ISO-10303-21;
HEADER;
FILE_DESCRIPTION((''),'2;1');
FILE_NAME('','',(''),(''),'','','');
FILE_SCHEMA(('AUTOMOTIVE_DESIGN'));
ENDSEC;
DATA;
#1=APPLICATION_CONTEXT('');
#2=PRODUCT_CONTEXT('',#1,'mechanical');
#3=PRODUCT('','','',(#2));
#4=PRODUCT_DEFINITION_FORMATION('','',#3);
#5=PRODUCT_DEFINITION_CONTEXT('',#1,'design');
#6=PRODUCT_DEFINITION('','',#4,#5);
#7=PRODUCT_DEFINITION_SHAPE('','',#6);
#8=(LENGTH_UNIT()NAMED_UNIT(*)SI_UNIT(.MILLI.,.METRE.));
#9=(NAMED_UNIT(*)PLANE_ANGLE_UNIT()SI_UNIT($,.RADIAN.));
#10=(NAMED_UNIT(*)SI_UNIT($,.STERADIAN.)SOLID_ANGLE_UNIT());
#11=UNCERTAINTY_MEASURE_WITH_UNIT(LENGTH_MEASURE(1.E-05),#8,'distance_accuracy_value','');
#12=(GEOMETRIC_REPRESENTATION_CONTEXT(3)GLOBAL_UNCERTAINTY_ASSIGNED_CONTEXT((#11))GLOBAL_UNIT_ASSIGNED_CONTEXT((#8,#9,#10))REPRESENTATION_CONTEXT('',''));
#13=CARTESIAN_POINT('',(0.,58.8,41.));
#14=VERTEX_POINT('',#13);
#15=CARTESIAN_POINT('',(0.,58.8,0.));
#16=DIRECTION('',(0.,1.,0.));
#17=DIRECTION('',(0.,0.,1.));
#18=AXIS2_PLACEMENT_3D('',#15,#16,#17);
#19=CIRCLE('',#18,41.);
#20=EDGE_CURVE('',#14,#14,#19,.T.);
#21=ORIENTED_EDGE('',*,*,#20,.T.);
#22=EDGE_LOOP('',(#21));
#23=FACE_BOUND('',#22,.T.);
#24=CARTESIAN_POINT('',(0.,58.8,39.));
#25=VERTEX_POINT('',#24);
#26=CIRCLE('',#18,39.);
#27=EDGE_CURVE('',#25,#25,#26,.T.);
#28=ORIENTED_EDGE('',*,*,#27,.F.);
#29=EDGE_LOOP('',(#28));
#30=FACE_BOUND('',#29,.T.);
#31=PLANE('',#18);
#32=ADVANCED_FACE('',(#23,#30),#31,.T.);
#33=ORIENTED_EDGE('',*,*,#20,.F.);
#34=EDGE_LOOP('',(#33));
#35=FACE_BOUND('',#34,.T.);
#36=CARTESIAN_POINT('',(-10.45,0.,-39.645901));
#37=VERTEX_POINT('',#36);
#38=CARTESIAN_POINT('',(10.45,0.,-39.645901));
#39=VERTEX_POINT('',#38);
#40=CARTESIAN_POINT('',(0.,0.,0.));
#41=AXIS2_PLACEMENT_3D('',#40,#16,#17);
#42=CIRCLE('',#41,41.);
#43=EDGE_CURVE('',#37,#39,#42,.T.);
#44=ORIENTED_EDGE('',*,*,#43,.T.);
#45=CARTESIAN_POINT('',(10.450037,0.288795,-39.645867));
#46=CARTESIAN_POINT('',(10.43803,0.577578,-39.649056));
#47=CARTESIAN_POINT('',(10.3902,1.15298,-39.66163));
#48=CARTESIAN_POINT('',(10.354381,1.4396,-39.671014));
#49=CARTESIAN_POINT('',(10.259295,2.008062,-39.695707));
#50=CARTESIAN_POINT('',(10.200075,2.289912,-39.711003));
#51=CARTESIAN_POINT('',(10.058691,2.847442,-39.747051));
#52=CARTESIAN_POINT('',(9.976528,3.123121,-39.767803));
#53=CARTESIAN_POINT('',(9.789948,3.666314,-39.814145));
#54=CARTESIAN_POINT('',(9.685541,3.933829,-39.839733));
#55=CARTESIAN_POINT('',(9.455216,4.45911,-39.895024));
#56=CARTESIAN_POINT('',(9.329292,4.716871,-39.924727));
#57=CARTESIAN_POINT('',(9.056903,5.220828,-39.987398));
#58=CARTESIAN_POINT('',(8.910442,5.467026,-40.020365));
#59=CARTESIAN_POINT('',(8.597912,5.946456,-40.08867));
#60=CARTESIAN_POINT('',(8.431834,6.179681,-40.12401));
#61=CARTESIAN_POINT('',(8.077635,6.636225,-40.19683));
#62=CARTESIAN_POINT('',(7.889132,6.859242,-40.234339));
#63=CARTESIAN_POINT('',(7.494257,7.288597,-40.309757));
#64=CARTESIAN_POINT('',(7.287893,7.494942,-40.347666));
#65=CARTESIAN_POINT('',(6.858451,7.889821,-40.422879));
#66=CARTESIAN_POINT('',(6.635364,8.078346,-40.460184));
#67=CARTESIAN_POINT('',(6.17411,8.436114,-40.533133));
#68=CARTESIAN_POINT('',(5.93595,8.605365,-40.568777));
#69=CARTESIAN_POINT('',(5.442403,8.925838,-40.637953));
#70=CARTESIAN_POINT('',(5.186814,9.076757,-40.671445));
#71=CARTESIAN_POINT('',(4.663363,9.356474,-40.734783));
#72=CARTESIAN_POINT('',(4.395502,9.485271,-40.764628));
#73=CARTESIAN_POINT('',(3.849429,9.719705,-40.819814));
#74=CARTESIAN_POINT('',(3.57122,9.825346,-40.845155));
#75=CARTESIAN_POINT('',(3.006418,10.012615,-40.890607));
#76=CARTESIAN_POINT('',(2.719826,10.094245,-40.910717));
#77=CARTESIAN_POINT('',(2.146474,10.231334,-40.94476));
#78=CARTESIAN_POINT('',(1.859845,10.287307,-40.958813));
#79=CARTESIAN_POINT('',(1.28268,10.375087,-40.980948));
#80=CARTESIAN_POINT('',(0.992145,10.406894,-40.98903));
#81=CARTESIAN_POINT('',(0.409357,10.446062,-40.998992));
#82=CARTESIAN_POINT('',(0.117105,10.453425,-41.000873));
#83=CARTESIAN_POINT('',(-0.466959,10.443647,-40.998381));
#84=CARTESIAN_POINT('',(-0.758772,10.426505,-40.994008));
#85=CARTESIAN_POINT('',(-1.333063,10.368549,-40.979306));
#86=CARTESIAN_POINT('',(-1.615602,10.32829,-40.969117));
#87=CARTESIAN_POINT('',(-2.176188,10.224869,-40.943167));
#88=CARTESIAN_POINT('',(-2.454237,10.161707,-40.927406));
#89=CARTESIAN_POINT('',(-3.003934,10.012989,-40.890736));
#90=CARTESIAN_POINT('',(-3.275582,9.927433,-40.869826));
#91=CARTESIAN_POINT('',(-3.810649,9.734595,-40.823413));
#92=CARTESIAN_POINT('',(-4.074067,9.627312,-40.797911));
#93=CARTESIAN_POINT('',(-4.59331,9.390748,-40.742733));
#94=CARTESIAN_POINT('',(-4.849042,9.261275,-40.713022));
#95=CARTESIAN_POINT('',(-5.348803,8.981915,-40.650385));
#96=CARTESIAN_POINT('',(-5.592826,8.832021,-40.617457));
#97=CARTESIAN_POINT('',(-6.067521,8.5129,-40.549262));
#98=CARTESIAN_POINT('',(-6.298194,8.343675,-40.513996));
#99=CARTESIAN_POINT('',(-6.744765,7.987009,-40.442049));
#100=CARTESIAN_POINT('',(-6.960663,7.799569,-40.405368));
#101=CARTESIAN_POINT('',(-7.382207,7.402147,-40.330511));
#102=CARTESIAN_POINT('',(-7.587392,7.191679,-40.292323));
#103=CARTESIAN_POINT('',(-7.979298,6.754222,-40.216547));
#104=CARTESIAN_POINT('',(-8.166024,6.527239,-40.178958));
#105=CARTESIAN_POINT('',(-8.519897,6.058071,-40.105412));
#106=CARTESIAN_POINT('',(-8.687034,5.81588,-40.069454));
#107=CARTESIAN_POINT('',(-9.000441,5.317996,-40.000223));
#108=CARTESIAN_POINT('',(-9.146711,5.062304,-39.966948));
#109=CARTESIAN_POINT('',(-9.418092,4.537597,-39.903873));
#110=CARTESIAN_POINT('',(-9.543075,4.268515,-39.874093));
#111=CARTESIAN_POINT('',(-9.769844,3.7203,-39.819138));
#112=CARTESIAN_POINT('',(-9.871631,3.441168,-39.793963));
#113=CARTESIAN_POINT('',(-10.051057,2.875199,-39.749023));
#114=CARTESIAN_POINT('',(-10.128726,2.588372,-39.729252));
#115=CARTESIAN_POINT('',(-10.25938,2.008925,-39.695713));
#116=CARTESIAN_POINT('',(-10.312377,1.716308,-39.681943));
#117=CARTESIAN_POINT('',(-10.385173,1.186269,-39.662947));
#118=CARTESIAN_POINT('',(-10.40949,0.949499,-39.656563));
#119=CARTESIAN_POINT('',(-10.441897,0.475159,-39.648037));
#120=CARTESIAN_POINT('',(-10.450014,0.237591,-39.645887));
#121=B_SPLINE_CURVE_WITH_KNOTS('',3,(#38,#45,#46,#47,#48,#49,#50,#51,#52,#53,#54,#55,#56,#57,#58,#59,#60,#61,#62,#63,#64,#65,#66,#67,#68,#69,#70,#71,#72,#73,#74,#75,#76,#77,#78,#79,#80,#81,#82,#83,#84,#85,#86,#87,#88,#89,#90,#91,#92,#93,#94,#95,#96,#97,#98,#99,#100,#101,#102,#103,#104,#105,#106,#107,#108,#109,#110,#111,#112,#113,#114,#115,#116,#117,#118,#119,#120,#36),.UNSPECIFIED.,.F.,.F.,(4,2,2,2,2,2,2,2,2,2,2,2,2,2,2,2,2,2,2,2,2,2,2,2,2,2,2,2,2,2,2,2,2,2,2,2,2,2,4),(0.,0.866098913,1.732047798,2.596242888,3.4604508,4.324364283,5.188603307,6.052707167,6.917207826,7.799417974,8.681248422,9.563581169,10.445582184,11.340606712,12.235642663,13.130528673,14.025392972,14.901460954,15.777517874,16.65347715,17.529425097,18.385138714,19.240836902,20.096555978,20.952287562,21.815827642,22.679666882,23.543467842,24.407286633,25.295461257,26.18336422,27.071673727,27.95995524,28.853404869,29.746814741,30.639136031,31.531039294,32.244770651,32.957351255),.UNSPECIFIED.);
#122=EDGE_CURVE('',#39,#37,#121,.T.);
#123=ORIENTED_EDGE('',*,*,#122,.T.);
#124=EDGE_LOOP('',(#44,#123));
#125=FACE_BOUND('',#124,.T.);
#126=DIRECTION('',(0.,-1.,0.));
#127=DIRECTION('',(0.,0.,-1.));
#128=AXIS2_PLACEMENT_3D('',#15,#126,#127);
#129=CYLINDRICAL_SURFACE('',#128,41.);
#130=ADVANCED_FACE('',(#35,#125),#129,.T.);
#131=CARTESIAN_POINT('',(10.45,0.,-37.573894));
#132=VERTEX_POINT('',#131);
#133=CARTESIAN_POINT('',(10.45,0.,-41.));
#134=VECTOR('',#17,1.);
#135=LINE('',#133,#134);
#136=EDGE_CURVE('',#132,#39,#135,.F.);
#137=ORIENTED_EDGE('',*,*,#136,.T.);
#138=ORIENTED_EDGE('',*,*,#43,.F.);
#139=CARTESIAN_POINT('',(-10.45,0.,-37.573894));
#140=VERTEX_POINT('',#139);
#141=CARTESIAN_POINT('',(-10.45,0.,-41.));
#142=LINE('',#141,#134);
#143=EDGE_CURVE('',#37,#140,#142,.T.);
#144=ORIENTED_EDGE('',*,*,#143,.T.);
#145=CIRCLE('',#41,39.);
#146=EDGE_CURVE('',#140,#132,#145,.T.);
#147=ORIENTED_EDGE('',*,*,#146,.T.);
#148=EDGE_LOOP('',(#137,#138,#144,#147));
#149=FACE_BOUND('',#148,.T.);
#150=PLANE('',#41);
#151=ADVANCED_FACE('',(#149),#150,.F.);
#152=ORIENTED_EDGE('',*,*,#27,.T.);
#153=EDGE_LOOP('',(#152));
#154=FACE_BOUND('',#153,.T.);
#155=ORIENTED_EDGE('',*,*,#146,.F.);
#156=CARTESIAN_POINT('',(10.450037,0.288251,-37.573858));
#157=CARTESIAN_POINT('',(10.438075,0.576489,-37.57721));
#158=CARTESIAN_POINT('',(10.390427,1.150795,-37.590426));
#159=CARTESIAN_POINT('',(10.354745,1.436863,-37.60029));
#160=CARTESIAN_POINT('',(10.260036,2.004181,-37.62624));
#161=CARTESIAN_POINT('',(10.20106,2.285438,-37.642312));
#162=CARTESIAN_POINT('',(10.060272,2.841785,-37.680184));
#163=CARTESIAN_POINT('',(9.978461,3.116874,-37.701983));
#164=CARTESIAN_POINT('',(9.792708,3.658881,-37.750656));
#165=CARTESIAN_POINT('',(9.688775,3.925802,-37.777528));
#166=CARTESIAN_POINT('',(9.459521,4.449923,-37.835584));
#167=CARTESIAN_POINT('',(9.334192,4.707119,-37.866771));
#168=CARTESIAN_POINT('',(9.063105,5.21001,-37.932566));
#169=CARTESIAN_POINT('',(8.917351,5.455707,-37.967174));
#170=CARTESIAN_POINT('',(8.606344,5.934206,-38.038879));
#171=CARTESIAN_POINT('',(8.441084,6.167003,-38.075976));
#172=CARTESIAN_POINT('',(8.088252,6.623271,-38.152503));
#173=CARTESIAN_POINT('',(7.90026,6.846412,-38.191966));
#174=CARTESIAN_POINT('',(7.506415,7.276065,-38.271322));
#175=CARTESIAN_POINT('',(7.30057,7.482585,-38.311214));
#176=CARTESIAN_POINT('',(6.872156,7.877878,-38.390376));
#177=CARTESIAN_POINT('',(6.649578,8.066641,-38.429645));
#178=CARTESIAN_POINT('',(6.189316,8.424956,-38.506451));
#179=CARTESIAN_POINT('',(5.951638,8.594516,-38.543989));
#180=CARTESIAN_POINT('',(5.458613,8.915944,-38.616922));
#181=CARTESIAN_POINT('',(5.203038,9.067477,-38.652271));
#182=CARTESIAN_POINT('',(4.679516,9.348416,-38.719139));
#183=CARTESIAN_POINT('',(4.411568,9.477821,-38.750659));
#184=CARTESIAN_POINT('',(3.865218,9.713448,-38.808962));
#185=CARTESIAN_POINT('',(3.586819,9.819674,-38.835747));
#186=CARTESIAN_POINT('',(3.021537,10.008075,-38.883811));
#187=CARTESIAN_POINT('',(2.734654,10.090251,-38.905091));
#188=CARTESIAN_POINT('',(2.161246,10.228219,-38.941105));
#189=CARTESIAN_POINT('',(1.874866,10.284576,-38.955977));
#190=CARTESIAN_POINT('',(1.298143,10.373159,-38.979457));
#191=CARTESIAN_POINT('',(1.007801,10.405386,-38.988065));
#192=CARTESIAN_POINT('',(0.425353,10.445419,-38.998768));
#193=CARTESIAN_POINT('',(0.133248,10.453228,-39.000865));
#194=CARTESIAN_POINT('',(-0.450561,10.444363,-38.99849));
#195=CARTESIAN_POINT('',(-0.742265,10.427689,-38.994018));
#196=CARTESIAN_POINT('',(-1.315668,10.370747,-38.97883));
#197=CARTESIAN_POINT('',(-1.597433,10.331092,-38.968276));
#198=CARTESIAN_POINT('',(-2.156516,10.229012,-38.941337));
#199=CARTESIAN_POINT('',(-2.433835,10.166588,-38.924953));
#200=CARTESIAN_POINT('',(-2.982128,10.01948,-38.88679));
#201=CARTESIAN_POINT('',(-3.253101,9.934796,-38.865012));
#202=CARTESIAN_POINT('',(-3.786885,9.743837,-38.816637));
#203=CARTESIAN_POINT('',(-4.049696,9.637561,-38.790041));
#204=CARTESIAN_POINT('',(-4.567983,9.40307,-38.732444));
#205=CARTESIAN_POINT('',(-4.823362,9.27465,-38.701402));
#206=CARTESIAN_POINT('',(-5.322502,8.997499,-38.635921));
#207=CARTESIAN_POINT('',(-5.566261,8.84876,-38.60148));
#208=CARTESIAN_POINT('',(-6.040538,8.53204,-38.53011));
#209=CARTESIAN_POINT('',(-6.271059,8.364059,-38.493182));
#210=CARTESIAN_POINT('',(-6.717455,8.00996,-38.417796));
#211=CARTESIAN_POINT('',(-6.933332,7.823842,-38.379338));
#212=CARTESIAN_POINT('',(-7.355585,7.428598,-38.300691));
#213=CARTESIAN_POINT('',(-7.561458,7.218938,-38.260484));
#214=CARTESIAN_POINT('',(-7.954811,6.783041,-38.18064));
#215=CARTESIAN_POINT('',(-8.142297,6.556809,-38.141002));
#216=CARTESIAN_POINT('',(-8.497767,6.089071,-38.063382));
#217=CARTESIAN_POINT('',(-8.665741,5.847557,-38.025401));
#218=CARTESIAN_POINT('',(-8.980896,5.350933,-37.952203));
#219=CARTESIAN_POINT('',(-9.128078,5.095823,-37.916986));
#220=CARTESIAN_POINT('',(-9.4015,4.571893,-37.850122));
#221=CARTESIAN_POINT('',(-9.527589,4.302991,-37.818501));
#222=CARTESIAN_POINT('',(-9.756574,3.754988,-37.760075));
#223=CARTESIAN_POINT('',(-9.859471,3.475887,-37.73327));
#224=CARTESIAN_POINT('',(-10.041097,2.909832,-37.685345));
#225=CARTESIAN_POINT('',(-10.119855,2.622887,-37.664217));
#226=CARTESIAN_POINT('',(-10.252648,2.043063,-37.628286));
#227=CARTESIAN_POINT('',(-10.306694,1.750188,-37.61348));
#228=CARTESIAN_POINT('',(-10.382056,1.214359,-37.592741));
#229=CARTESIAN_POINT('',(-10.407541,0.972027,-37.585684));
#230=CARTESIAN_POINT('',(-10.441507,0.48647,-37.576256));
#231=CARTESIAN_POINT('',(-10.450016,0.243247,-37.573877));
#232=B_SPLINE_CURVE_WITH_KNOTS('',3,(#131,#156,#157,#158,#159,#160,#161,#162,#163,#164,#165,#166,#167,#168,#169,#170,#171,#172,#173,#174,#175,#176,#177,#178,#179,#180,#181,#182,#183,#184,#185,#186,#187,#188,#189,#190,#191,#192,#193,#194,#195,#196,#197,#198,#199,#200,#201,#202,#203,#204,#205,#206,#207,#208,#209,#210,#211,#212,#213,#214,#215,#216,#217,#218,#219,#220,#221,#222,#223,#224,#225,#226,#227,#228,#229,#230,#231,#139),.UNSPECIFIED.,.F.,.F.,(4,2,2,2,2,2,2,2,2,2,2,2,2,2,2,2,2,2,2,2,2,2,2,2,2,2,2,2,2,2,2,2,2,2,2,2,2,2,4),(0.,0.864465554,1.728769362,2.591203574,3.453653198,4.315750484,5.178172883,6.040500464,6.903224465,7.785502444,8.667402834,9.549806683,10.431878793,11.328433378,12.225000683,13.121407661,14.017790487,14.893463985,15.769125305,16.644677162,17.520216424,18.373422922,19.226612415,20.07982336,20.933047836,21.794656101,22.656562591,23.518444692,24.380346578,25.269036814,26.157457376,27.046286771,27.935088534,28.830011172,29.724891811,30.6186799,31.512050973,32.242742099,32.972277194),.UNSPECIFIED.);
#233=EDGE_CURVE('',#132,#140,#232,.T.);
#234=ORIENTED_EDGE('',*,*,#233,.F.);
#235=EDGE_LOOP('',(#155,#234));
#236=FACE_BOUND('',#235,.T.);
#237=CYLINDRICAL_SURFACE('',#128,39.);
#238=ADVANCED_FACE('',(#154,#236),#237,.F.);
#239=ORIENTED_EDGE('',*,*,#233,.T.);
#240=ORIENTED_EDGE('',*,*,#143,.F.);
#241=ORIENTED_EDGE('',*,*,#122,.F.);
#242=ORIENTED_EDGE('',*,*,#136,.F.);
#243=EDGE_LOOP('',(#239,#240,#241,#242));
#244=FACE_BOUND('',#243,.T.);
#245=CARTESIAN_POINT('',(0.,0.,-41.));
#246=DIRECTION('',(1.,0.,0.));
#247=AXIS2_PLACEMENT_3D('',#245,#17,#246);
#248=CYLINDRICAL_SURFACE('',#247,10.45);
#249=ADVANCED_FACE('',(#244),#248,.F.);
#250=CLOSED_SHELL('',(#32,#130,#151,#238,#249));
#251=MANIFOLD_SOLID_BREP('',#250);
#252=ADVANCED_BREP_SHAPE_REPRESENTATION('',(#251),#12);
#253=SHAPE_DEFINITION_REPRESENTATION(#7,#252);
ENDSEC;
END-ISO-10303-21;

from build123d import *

# Parameters (mm, degrees)
SKETCH1_R           = 41
SKETCH1_R_2         = 39
BOSS_EXTRUDE1_DEPTH = 58.8
SKETCH2_R           = 10.45
CUT_EXTRUDE1_DEPTH  = 83.579900702


with BuildPart() as part:
    # Sketch1 → Boss-Extrude1 (new body)
    with BuildSketch(Plane(origin=(0, 0, 0), x_dir=(1, 0, 0), z_dir=(0, 1, 0))):
        with Locations(Location((0, 0, 0), (0, 0, 270))):
            Circle(SKETCH1_R)
        with Locations(Location((0, 0, 0), (0, 0, 270))):
            Circle(SKETCH1_R_2, mode=Mode.SUBTRACT)
    extrude(amount=BOSS_EXTRUDE1_DEPTH)

    # Sketch2 → Cut-Extrude1 (cut, through all)
    with BuildSketch(Plane.XY):
        Circle(SKETCH2_R)
    extrude(amount=-CUT_EXTRUDE1_DEPTH, mode=Mode.SUBTRACT)


solid = part.part
